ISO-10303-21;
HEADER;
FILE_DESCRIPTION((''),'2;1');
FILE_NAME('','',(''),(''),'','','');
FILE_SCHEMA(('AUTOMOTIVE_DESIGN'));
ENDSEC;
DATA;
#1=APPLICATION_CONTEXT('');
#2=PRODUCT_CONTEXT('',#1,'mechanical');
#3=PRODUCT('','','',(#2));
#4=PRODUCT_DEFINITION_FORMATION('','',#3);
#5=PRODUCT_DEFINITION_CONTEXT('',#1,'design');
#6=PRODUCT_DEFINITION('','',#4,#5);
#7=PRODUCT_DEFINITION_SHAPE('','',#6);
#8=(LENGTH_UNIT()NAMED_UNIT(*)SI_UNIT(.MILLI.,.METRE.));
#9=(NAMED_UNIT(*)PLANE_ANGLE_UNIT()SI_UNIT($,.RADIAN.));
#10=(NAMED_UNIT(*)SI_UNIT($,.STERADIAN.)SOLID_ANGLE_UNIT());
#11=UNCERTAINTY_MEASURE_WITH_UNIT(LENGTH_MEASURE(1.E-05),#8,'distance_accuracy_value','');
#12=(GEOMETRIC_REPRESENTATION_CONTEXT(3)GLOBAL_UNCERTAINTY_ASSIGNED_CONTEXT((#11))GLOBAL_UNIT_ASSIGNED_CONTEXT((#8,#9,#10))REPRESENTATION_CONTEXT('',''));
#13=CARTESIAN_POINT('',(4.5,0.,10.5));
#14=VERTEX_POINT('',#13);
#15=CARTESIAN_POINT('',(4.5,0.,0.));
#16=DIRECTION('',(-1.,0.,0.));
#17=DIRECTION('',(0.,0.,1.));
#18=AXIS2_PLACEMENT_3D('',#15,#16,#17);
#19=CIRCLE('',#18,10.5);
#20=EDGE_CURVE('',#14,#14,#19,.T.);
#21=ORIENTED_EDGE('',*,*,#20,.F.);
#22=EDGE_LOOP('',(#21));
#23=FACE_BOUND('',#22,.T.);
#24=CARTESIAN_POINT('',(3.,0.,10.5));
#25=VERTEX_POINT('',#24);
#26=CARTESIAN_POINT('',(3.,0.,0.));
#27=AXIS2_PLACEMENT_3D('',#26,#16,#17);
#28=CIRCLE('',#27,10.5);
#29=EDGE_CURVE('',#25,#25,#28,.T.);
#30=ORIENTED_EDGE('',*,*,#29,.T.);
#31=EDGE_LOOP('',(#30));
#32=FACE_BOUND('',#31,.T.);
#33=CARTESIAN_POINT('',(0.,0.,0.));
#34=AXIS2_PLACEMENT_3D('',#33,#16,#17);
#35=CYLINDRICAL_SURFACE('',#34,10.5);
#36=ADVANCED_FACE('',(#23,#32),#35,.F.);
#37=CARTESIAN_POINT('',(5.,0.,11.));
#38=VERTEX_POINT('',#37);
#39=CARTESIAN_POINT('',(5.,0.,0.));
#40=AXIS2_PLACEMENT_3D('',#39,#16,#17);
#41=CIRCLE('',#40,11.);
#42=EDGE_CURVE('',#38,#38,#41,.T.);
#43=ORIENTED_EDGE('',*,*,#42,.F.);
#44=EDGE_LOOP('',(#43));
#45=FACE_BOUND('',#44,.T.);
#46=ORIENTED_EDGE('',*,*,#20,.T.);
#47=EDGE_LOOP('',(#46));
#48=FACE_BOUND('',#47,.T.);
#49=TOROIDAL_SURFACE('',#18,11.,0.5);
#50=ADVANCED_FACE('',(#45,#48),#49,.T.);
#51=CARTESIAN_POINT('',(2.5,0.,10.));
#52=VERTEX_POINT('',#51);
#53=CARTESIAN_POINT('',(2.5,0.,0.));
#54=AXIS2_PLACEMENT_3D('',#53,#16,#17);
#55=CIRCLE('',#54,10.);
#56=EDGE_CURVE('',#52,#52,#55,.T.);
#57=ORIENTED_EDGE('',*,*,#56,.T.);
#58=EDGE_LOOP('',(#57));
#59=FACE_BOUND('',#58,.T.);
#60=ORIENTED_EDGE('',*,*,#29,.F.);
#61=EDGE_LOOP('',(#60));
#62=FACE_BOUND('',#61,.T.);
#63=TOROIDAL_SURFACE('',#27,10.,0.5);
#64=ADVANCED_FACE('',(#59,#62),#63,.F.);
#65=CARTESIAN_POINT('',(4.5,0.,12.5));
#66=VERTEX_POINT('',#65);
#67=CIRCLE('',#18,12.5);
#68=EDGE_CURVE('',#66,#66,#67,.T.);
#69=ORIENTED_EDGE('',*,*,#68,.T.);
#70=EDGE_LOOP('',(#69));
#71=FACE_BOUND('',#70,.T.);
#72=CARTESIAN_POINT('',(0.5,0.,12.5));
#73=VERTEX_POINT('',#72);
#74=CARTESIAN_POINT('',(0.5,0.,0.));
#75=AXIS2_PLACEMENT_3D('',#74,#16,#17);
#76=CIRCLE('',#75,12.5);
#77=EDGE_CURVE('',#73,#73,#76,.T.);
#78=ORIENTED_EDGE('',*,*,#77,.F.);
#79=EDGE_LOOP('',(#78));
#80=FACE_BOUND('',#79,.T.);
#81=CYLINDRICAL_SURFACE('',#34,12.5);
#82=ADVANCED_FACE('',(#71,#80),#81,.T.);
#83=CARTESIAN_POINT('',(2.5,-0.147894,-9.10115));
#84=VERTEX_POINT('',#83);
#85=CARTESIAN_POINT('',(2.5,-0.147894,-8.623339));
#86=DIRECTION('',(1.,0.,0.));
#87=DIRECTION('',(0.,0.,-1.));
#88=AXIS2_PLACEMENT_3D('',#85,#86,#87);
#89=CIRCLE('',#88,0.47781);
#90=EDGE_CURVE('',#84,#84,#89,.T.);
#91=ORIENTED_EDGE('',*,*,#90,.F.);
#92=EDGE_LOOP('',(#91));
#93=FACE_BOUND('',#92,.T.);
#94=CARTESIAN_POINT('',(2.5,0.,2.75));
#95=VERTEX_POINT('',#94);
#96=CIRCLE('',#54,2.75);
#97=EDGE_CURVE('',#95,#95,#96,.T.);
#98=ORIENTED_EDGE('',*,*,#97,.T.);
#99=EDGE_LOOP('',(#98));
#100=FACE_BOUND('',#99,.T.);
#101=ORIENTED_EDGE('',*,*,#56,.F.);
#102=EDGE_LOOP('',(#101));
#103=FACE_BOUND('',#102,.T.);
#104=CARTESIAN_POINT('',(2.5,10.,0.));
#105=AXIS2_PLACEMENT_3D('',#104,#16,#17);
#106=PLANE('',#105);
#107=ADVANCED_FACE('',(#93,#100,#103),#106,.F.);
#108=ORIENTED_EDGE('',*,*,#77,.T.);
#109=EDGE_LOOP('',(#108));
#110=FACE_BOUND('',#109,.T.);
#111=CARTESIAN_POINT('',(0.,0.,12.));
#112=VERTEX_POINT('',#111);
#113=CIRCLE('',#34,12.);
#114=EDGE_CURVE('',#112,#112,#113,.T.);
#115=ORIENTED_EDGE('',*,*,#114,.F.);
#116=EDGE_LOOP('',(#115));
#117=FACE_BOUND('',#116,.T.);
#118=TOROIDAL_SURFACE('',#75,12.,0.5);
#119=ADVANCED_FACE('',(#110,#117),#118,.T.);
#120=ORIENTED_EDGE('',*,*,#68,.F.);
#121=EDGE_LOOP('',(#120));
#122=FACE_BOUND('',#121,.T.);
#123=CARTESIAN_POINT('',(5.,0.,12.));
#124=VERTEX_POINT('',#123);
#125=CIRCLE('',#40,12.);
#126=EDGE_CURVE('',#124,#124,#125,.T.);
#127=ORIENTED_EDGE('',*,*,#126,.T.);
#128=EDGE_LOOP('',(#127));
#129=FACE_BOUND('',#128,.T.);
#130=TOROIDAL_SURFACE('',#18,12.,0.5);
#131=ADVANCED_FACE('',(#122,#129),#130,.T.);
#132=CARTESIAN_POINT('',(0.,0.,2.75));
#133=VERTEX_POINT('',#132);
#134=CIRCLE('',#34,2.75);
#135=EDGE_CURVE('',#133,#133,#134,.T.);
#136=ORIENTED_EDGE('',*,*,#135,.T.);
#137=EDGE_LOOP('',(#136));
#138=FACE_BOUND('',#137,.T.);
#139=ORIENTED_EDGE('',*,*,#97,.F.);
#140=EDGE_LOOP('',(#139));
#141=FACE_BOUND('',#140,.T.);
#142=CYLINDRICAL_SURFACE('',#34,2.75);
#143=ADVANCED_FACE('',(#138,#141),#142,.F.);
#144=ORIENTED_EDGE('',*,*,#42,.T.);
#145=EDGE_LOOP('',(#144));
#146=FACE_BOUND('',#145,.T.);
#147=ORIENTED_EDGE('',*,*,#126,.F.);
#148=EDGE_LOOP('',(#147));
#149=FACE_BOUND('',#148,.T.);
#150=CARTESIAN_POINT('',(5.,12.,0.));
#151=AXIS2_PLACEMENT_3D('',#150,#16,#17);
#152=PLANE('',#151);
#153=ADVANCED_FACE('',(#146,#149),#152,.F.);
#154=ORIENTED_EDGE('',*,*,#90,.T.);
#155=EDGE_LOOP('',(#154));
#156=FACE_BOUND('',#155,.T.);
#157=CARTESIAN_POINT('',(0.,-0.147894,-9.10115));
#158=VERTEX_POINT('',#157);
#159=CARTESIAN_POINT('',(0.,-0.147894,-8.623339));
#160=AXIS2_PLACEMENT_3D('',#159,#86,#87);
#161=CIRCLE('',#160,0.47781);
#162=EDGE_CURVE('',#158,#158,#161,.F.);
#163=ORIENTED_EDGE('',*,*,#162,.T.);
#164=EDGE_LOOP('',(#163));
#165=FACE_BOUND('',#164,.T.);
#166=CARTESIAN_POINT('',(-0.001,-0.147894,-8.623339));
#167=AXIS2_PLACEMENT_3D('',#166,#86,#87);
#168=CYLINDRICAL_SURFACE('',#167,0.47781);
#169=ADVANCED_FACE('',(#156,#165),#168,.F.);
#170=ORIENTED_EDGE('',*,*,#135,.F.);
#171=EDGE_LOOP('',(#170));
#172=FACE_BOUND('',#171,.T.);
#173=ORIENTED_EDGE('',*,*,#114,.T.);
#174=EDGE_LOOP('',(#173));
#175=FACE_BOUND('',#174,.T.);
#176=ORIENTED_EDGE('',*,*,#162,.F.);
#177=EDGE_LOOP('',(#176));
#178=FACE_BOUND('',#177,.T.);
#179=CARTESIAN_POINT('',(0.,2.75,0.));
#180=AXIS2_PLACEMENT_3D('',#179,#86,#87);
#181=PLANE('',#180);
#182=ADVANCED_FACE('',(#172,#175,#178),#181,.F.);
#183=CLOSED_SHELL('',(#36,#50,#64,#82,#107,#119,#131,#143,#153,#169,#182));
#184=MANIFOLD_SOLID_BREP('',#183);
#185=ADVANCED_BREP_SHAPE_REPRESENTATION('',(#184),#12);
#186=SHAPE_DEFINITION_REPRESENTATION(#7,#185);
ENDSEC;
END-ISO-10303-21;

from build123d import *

# Parameters (mm, degrees)
CUT_EXTRUDE1_REACH = 19.854
SKETCH4_R          = 0.477810363


with BuildPart() as part:
    # Sketch2 → Revolve1 (revolve)
    with BuildSketch(Plane.XY, mode=Mode.PRIVATE) as revolve1_sk:
        with BuildLine():
            Line((0, 2.75), (0, 12))
            ThreePointArc((0, 12), (0.146446609, 12.353553391), (0.5, 12.5))
            Line((0.5, 12.5), (4.5, 12.5))
            ThreePointArc((4.5, 12.5), (4.853553391, 12.353553391), (5, 12))
            Line((5, 12), (5, 11))
            ThreePointArc((5, 11), (4.853553391, 10.646446609), (4.5, 10.5))
            Line((4.5, 10.5), (3, 10.5))
            ThreePointArc((3, 10.5), (2.646446609, 10.353553391), (2.5, 10))
            Line((2.5, 10), (2.5, 2.75))
            Line((2.5, 2.75), (0, 2.75))
        make_face()
    revolve(revolve1_sk.sketch.rotate(Axis((0, 0, 0), (1, 0, 0)), 90), axis=Axis((0, 0, 0), (1, 0, 0)))

    # Sketch4 → Cut-Extrude1 (cut, up to next)
    with BuildSketch(Plane(origin=(2.5, 0, 0), x_dir=(0, 0, -1), z_dir=(1, 0, 0)), mode=Mode.PRIVATE) as cut_extrude1_sk1:
        with Locations((8.623339412, -0.147893684)):
            Circle(SKETCH4_R)
    cut_extrude1_tool1 = extrude(cut_extrude1_sk1.sketch, amount=-CUT_EXTRUDE1_REACH, mode=Mode.PRIVATE) & part.part
    add(cut_extrude1_tool1.solids().sort_by_distance((2.5, -0.147894, -8.623339))[0], mode=Mode.SUBTRACT)


solid = part.part
